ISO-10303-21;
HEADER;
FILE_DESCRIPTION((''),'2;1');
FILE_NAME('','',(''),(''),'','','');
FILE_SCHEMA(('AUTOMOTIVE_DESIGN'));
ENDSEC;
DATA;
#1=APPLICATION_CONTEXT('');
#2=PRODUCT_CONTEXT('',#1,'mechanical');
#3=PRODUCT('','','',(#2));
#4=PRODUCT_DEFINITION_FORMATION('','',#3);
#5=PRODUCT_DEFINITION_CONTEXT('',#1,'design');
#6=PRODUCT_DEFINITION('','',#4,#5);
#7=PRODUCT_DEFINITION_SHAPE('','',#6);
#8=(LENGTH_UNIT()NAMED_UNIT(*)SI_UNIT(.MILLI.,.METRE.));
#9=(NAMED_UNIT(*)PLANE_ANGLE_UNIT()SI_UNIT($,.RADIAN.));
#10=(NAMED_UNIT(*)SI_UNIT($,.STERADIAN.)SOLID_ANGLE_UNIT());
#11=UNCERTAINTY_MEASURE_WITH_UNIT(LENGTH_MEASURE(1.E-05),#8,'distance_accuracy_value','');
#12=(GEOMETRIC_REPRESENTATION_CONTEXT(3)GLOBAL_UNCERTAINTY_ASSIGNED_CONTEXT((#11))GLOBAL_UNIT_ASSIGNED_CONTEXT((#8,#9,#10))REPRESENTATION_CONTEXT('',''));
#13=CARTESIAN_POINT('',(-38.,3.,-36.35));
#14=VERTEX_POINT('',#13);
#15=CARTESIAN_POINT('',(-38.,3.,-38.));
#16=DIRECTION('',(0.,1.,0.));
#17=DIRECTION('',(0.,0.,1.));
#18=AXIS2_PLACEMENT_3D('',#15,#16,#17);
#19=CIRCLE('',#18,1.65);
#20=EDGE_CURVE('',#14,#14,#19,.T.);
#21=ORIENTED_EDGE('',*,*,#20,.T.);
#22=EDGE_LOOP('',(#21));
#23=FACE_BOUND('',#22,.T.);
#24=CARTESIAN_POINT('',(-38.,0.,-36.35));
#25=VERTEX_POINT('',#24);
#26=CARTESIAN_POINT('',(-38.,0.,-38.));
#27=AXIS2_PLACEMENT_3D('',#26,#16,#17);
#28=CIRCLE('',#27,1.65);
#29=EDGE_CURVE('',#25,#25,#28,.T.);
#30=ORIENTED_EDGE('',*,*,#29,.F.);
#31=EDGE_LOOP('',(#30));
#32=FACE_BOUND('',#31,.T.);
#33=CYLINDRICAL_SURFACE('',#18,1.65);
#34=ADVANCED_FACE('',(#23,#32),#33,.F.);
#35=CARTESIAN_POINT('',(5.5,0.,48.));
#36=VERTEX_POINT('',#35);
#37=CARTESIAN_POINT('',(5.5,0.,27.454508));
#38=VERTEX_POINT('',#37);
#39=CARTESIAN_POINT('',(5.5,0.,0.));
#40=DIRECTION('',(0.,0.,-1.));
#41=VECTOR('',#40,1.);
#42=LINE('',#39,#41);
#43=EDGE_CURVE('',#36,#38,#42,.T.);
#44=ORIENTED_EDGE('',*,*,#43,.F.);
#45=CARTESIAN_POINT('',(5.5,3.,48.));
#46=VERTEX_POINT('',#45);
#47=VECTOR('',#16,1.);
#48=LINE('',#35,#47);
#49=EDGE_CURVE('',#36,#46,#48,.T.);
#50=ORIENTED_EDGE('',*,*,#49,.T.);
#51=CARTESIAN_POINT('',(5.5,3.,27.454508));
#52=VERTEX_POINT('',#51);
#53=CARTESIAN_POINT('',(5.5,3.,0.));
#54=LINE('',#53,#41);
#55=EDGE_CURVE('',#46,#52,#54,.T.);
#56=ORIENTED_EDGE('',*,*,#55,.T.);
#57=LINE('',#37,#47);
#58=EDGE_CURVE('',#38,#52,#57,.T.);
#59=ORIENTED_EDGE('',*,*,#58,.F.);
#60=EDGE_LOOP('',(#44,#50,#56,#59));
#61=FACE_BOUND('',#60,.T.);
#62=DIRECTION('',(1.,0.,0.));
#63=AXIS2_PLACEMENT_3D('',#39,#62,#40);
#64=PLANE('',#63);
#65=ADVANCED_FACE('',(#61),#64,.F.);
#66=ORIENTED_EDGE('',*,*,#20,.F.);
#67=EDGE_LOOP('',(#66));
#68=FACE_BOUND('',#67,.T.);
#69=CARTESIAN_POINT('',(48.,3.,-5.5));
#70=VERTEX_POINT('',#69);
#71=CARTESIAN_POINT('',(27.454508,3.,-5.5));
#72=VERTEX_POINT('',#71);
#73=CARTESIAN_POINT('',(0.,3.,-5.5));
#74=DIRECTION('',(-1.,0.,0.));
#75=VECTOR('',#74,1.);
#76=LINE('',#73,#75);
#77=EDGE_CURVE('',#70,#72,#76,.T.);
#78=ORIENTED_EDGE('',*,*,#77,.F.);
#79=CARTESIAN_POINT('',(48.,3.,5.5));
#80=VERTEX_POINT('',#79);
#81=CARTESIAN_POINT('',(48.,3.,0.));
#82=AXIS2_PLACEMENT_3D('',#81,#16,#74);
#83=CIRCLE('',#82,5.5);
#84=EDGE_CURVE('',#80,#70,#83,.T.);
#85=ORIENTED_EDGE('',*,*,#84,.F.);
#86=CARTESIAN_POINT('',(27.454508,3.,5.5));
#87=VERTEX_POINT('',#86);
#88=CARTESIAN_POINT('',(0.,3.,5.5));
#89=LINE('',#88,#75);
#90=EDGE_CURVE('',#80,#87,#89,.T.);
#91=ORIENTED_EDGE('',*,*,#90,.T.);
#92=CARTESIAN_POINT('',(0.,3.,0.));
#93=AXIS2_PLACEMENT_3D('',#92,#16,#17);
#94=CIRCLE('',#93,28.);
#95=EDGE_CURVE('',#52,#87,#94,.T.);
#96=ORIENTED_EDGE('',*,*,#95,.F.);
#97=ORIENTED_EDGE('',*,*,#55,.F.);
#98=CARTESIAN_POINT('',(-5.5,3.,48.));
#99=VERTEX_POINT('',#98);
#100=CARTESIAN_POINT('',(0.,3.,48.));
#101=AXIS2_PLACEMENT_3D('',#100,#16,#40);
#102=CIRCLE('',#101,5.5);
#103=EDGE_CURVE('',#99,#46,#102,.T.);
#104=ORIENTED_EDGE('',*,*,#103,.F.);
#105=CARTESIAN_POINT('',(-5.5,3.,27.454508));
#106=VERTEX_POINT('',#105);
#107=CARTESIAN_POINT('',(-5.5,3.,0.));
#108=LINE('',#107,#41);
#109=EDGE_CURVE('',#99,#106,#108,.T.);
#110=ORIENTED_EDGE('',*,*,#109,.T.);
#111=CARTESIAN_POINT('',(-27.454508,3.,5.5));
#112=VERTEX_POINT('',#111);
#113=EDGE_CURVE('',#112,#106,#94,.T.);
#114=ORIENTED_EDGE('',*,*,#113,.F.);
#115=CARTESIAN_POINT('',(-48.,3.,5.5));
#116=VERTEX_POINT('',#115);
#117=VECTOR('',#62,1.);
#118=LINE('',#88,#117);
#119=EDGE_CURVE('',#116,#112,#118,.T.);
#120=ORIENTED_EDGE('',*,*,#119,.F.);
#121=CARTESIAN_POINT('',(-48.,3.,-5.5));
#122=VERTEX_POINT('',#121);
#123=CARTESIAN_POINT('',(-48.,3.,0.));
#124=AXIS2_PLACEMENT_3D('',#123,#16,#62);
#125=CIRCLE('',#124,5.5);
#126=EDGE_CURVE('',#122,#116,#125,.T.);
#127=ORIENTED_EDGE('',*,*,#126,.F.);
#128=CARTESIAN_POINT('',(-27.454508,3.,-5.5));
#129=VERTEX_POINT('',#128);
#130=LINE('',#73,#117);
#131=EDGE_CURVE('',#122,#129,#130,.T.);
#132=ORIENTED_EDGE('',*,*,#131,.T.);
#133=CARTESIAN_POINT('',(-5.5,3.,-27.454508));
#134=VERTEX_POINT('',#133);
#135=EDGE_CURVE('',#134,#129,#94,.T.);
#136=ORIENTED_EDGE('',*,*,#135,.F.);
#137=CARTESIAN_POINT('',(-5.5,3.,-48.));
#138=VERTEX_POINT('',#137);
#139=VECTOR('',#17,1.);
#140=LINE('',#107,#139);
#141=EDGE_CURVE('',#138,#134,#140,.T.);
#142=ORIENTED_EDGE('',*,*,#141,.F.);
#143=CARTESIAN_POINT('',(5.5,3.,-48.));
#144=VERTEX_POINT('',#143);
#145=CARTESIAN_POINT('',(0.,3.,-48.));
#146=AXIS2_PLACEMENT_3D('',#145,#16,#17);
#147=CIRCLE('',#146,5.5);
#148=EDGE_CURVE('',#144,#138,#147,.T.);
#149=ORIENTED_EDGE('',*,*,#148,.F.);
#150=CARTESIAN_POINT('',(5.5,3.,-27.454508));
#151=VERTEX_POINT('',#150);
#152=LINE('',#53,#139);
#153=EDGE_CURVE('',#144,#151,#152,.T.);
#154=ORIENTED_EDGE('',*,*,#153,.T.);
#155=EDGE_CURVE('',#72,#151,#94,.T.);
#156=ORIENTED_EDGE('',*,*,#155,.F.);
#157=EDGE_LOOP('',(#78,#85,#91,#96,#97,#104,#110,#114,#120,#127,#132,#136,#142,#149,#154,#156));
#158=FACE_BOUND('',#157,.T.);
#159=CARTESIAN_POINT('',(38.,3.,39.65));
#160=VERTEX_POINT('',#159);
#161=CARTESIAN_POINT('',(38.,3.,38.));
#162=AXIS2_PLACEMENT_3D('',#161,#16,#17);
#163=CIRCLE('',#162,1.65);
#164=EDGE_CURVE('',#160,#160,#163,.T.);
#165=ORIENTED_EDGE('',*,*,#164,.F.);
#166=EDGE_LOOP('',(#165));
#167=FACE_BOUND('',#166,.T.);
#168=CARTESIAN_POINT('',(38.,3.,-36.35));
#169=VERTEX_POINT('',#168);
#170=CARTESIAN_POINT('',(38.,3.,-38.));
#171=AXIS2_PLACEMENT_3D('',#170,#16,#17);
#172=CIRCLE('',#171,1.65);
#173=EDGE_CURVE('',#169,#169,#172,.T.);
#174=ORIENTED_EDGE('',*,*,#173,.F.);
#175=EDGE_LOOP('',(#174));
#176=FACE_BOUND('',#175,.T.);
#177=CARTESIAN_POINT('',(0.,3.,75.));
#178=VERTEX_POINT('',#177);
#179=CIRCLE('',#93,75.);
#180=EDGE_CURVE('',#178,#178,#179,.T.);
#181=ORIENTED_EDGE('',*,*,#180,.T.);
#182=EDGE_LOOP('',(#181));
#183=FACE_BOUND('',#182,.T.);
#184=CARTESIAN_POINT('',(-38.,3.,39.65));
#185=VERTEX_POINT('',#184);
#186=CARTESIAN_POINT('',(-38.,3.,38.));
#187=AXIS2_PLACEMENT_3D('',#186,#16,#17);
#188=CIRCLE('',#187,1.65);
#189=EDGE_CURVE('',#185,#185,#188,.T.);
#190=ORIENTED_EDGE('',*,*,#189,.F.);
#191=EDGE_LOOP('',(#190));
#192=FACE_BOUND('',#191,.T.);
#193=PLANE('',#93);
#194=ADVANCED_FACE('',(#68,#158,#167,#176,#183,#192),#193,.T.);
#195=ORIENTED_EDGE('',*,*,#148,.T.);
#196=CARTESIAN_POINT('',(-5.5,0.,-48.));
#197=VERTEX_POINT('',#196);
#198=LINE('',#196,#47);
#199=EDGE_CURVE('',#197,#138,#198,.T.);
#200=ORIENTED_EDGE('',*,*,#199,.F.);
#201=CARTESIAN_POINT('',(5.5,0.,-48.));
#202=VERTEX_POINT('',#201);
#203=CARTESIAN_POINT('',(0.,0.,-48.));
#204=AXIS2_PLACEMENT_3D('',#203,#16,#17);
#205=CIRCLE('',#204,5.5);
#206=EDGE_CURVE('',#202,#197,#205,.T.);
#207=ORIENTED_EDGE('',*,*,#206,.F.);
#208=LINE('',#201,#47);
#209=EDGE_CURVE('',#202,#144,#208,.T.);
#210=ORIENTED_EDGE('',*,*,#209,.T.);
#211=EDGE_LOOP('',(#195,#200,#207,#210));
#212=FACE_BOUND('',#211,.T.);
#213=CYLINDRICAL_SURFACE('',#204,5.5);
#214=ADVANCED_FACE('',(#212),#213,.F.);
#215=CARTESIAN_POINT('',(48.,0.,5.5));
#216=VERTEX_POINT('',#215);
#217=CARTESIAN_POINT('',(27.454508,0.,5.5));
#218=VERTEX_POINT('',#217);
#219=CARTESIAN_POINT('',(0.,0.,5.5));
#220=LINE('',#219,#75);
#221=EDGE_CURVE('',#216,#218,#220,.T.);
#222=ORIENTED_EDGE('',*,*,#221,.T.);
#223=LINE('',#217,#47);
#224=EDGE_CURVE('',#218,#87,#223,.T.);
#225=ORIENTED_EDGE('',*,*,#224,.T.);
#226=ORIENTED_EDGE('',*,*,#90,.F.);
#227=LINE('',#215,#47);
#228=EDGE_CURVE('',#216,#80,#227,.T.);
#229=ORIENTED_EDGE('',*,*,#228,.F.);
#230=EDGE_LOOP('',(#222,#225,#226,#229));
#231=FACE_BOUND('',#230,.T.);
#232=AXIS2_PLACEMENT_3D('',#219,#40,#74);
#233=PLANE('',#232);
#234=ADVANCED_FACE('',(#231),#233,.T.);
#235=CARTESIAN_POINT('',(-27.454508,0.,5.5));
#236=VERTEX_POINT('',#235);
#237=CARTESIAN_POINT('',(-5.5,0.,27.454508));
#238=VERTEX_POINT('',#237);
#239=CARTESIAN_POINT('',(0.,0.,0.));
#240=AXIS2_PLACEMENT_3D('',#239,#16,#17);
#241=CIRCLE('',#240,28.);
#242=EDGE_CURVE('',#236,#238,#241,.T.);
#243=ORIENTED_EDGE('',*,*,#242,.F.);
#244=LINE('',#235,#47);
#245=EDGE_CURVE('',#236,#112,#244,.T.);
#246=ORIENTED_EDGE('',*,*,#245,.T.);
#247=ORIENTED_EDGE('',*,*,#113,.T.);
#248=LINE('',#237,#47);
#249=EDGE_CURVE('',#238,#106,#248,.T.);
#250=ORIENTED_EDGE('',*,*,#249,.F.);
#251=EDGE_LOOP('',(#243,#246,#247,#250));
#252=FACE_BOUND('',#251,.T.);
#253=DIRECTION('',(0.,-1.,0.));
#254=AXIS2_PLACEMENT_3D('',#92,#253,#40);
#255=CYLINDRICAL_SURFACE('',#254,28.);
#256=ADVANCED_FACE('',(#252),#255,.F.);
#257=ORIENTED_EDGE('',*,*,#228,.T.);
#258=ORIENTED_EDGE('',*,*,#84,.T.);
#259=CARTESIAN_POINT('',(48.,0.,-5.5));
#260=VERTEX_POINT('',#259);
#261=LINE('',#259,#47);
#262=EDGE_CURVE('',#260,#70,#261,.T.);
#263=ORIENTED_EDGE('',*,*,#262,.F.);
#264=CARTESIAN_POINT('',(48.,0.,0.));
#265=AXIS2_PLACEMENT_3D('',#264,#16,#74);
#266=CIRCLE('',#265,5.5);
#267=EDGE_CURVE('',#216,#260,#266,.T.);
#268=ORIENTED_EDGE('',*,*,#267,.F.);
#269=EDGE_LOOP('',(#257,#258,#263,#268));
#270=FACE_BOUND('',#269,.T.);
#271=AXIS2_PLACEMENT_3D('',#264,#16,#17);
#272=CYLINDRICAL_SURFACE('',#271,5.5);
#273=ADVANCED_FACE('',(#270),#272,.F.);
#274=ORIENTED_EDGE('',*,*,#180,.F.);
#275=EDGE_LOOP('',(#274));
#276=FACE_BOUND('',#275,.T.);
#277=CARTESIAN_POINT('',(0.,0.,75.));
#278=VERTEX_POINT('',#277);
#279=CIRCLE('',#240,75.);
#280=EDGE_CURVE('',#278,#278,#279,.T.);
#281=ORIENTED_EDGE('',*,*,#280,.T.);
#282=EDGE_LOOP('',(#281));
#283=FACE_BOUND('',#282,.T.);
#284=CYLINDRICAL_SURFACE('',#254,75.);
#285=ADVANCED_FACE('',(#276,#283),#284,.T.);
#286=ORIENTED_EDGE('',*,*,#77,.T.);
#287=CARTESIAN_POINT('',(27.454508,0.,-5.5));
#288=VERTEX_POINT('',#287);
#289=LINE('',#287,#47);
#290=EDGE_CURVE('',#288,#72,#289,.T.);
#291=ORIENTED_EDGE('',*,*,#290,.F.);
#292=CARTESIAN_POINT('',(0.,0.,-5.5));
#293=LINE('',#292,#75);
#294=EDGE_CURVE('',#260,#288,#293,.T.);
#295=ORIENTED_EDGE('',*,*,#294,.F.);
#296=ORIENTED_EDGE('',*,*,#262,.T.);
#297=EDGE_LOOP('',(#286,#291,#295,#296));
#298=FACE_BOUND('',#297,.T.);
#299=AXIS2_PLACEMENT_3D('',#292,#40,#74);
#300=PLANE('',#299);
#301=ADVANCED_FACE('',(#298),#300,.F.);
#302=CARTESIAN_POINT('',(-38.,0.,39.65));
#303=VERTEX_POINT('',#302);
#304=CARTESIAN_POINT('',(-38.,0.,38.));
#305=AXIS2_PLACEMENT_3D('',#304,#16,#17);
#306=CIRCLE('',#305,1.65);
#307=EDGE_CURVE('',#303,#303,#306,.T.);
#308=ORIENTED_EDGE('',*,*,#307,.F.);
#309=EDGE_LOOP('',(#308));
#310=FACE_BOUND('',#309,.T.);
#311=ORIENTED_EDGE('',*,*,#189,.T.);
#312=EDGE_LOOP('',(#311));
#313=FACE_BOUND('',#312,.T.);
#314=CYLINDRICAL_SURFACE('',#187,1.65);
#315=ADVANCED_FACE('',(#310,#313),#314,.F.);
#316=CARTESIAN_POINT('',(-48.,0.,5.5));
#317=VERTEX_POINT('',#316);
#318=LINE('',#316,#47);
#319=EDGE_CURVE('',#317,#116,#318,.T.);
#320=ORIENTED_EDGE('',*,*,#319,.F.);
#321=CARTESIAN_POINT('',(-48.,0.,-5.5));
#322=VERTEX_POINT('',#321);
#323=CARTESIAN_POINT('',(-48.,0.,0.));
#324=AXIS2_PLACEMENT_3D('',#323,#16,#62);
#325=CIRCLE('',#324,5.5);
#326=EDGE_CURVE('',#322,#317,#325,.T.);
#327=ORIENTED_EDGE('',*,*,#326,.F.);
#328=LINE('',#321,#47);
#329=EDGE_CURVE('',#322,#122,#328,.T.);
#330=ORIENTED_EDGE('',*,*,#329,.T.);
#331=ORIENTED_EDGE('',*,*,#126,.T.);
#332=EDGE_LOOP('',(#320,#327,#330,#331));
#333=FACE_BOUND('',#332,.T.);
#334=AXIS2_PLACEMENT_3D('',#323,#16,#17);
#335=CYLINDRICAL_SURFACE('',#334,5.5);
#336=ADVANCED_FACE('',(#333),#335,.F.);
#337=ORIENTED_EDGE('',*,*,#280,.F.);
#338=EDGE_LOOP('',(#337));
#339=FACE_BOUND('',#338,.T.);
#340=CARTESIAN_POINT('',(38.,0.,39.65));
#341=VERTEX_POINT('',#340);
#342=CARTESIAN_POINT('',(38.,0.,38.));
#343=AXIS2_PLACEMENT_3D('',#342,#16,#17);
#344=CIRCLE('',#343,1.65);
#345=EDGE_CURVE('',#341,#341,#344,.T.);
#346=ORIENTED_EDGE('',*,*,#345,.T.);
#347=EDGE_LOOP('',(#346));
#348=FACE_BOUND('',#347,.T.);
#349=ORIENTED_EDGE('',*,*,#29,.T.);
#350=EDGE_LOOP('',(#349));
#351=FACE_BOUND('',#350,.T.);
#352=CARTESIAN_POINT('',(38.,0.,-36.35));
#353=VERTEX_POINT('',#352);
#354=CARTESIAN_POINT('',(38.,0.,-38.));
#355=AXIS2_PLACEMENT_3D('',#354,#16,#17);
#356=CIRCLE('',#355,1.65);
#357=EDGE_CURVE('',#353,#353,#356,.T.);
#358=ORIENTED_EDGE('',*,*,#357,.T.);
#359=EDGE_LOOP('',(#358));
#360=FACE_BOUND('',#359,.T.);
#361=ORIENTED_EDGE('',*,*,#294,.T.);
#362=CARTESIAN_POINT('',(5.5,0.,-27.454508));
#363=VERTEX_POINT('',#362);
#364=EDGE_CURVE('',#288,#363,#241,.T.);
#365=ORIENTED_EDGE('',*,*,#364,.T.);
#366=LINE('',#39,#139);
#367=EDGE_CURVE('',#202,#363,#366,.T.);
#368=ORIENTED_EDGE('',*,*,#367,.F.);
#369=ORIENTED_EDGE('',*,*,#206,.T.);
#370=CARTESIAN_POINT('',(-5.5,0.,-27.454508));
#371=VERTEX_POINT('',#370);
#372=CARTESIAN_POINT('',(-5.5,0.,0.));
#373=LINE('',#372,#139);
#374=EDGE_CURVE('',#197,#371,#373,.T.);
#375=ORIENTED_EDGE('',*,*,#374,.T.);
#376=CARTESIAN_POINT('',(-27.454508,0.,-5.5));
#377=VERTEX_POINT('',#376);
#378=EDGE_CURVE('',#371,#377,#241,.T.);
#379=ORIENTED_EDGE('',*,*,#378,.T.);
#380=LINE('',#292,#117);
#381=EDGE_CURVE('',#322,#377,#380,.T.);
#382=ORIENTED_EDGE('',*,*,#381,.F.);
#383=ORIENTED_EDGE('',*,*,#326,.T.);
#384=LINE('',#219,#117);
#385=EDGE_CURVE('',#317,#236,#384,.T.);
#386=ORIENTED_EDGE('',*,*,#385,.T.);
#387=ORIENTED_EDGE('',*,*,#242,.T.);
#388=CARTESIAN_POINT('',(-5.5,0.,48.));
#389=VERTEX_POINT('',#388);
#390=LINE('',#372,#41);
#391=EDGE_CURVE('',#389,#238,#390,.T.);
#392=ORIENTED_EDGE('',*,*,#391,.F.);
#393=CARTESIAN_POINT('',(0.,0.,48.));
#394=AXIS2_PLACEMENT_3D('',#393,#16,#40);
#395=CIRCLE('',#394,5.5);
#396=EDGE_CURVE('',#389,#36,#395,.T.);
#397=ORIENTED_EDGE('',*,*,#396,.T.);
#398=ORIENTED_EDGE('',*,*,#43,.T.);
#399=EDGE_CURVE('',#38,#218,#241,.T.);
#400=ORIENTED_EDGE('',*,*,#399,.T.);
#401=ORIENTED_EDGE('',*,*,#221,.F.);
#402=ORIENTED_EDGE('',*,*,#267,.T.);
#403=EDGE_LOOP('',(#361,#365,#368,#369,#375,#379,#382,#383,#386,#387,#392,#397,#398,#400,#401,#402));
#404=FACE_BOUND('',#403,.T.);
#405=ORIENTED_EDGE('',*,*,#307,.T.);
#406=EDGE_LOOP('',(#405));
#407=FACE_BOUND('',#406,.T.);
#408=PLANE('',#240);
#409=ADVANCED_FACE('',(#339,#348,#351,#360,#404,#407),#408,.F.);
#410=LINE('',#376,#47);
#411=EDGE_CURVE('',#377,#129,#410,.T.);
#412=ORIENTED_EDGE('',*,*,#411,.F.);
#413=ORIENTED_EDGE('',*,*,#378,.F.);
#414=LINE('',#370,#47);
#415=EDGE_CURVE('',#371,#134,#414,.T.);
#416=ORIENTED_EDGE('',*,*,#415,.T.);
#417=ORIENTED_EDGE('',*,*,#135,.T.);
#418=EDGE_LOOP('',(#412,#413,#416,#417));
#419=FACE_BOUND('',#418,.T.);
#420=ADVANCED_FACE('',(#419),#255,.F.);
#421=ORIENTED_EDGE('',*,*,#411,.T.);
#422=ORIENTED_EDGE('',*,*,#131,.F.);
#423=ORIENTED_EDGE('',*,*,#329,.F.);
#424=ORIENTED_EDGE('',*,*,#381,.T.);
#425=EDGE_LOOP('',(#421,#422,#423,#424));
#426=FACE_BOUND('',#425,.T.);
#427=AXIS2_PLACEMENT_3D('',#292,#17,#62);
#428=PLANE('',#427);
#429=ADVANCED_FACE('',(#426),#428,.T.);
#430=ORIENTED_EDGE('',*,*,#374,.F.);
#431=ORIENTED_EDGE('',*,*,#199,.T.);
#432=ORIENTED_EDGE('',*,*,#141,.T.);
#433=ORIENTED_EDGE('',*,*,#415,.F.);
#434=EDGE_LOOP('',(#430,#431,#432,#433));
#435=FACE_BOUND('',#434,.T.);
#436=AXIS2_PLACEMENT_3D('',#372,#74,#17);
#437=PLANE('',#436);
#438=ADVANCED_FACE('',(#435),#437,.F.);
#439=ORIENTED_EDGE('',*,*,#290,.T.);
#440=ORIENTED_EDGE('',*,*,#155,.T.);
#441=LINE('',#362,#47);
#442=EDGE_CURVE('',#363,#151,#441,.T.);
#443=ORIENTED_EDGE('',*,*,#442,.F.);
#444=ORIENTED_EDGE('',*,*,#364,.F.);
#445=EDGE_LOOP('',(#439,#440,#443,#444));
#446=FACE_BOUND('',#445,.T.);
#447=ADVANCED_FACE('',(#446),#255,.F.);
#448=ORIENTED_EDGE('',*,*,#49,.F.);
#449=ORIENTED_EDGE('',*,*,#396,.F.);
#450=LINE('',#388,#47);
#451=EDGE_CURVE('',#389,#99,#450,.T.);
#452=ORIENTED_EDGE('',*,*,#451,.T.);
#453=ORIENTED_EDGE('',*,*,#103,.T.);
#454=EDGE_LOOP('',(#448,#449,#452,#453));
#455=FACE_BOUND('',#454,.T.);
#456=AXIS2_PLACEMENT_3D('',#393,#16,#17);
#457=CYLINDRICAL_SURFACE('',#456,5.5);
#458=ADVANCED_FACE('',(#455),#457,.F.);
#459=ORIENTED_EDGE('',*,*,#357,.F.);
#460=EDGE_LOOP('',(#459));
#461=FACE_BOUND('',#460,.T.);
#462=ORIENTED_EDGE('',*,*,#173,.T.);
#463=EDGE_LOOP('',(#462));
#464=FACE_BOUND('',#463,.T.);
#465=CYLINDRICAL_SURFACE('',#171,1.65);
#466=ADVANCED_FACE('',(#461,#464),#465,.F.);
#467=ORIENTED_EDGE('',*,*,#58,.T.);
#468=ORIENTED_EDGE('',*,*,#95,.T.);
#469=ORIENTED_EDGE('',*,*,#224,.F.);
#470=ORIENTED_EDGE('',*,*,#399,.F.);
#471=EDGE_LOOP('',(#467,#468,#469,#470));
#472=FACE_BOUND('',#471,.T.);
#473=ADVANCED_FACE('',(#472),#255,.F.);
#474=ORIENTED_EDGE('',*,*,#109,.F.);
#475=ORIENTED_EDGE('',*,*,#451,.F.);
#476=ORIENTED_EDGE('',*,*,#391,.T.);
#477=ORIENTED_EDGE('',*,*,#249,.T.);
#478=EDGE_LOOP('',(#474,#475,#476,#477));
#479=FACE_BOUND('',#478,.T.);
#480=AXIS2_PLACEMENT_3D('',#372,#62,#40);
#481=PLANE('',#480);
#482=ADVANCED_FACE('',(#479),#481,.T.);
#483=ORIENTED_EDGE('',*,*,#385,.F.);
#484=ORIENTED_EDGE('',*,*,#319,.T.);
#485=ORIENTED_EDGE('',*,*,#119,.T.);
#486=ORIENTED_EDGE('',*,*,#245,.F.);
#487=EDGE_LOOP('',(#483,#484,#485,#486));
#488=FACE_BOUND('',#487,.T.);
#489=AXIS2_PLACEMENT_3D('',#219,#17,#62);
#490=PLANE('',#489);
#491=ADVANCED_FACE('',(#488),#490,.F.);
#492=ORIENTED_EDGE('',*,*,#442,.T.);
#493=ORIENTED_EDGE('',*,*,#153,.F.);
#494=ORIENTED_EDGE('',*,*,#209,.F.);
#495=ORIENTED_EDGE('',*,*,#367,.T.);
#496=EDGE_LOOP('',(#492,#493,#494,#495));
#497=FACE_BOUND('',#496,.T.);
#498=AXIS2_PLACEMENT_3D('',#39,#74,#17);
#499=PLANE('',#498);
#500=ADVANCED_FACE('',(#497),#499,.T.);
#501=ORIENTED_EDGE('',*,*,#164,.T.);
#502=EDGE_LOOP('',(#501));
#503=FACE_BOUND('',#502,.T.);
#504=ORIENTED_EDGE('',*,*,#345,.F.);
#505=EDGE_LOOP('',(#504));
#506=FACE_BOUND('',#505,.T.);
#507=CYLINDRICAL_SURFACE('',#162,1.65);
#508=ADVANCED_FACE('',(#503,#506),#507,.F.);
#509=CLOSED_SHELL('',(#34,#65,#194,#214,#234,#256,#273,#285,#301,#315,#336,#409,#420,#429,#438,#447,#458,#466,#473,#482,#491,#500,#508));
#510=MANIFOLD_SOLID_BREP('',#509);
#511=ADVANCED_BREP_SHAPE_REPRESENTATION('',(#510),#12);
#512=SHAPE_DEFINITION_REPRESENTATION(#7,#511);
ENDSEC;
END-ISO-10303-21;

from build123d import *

# Parameters (mm, degrees)
SKETCH1_R                   = 75
SKETCH1_R_2                 = 28
BOSS_EXTRUDE1_DEPTH         = 3
CUT_EXTRUDE2_START          = -3
CUT_EXTRUDE2_DEPTH          = 3
CIRPATTERN1_COUNT           = 4
TAP_DRILL_FOR_M4X0_7_TAP1_D = 3.3
CIRPATTERN2_COUNT           = 4


with BuildPart() as part:
    # Sketch1 → Boss-Extrude1 (new body)
    with BuildSketch(Plane(origin=(0, 0, 0), x_dir=(1, 0, 0), z_dir=(0, 1, 0))):
        with Locations(Location((0, 0, 0), (0, 0, 270))):
            Circle(SKETCH1_R)
        with Locations(Location((0, 0, 0), (0, 0, 270))):
            Circle(SKETCH1_R_2, mode=Mode.SUBTRACT)
    extrude(amount=BOSS_EXTRUDE1_DEPTH)

    # Sketch2 → Cut-Extrude2 (cut)
    with BuildSketch(Plane(origin=(0, 3, 0), x_dir=(1, 0, 0), z_dir=(0, 1, 0)).offset(CUT_EXTRUDE2_START)):
        with BuildLine():
            Line((5.5, 27.454507827), (5.5, 48))
            ThreePointArc((5.5, 48), (0, 53.5), (-5.5, 48))
            Line((-5.5, 48), (-5.5, 27.454507827))
            ThreePointArc((-5.5, 27.454507827), (0, 28), (5.5, 27.454507827))
        make_face()
    cut_extrude2 = extrude(amount=CUT_EXTRUDE2_DEPTH, mode=Mode.SUBTRACT)

    # CirPattern1: Cut-Extrude2 ×4 about axis
    cirpattern1_axis = Axis((0, 0, 0), (0, 1, 0))
    for i in range(1, CIRPATTERN1_COUNT):
        add(cut_extrude2.rotate(cirpattern1_axis, i * 360 / CIRPATTERN1_COUNT), mode=Mode.SUBTRACT)

    # Tap Drill for M4x0.7 Tap1 (through all)
    with Locations(Plane(origin=(0, 3, 0), x_dir=(1, 0, 0), z_dir=(0, 1, 0))):
        with Locations((38, 38)):
            tap_drill_for_m4x0_7_tap1 = Hole(TAP_DRILL_FOR_M4X0_7_TAP1_D / 2)

    # CirPattern2: Tap Drill for M4x0.7 Tap1 ×4 about axis
    cirpattern2_axis = Axis((0, 0, 0), (0, 1, 0))
    for i in range(1, CIRPATTERN2_COUNT):
        add(tap_drill_for_m4x0_7_tap1.rotate(cirpattern2_axis, i * 360 / CIRPATTERN2_COUNT), mode=Mode.SUBTRACT)


solid = part.part
